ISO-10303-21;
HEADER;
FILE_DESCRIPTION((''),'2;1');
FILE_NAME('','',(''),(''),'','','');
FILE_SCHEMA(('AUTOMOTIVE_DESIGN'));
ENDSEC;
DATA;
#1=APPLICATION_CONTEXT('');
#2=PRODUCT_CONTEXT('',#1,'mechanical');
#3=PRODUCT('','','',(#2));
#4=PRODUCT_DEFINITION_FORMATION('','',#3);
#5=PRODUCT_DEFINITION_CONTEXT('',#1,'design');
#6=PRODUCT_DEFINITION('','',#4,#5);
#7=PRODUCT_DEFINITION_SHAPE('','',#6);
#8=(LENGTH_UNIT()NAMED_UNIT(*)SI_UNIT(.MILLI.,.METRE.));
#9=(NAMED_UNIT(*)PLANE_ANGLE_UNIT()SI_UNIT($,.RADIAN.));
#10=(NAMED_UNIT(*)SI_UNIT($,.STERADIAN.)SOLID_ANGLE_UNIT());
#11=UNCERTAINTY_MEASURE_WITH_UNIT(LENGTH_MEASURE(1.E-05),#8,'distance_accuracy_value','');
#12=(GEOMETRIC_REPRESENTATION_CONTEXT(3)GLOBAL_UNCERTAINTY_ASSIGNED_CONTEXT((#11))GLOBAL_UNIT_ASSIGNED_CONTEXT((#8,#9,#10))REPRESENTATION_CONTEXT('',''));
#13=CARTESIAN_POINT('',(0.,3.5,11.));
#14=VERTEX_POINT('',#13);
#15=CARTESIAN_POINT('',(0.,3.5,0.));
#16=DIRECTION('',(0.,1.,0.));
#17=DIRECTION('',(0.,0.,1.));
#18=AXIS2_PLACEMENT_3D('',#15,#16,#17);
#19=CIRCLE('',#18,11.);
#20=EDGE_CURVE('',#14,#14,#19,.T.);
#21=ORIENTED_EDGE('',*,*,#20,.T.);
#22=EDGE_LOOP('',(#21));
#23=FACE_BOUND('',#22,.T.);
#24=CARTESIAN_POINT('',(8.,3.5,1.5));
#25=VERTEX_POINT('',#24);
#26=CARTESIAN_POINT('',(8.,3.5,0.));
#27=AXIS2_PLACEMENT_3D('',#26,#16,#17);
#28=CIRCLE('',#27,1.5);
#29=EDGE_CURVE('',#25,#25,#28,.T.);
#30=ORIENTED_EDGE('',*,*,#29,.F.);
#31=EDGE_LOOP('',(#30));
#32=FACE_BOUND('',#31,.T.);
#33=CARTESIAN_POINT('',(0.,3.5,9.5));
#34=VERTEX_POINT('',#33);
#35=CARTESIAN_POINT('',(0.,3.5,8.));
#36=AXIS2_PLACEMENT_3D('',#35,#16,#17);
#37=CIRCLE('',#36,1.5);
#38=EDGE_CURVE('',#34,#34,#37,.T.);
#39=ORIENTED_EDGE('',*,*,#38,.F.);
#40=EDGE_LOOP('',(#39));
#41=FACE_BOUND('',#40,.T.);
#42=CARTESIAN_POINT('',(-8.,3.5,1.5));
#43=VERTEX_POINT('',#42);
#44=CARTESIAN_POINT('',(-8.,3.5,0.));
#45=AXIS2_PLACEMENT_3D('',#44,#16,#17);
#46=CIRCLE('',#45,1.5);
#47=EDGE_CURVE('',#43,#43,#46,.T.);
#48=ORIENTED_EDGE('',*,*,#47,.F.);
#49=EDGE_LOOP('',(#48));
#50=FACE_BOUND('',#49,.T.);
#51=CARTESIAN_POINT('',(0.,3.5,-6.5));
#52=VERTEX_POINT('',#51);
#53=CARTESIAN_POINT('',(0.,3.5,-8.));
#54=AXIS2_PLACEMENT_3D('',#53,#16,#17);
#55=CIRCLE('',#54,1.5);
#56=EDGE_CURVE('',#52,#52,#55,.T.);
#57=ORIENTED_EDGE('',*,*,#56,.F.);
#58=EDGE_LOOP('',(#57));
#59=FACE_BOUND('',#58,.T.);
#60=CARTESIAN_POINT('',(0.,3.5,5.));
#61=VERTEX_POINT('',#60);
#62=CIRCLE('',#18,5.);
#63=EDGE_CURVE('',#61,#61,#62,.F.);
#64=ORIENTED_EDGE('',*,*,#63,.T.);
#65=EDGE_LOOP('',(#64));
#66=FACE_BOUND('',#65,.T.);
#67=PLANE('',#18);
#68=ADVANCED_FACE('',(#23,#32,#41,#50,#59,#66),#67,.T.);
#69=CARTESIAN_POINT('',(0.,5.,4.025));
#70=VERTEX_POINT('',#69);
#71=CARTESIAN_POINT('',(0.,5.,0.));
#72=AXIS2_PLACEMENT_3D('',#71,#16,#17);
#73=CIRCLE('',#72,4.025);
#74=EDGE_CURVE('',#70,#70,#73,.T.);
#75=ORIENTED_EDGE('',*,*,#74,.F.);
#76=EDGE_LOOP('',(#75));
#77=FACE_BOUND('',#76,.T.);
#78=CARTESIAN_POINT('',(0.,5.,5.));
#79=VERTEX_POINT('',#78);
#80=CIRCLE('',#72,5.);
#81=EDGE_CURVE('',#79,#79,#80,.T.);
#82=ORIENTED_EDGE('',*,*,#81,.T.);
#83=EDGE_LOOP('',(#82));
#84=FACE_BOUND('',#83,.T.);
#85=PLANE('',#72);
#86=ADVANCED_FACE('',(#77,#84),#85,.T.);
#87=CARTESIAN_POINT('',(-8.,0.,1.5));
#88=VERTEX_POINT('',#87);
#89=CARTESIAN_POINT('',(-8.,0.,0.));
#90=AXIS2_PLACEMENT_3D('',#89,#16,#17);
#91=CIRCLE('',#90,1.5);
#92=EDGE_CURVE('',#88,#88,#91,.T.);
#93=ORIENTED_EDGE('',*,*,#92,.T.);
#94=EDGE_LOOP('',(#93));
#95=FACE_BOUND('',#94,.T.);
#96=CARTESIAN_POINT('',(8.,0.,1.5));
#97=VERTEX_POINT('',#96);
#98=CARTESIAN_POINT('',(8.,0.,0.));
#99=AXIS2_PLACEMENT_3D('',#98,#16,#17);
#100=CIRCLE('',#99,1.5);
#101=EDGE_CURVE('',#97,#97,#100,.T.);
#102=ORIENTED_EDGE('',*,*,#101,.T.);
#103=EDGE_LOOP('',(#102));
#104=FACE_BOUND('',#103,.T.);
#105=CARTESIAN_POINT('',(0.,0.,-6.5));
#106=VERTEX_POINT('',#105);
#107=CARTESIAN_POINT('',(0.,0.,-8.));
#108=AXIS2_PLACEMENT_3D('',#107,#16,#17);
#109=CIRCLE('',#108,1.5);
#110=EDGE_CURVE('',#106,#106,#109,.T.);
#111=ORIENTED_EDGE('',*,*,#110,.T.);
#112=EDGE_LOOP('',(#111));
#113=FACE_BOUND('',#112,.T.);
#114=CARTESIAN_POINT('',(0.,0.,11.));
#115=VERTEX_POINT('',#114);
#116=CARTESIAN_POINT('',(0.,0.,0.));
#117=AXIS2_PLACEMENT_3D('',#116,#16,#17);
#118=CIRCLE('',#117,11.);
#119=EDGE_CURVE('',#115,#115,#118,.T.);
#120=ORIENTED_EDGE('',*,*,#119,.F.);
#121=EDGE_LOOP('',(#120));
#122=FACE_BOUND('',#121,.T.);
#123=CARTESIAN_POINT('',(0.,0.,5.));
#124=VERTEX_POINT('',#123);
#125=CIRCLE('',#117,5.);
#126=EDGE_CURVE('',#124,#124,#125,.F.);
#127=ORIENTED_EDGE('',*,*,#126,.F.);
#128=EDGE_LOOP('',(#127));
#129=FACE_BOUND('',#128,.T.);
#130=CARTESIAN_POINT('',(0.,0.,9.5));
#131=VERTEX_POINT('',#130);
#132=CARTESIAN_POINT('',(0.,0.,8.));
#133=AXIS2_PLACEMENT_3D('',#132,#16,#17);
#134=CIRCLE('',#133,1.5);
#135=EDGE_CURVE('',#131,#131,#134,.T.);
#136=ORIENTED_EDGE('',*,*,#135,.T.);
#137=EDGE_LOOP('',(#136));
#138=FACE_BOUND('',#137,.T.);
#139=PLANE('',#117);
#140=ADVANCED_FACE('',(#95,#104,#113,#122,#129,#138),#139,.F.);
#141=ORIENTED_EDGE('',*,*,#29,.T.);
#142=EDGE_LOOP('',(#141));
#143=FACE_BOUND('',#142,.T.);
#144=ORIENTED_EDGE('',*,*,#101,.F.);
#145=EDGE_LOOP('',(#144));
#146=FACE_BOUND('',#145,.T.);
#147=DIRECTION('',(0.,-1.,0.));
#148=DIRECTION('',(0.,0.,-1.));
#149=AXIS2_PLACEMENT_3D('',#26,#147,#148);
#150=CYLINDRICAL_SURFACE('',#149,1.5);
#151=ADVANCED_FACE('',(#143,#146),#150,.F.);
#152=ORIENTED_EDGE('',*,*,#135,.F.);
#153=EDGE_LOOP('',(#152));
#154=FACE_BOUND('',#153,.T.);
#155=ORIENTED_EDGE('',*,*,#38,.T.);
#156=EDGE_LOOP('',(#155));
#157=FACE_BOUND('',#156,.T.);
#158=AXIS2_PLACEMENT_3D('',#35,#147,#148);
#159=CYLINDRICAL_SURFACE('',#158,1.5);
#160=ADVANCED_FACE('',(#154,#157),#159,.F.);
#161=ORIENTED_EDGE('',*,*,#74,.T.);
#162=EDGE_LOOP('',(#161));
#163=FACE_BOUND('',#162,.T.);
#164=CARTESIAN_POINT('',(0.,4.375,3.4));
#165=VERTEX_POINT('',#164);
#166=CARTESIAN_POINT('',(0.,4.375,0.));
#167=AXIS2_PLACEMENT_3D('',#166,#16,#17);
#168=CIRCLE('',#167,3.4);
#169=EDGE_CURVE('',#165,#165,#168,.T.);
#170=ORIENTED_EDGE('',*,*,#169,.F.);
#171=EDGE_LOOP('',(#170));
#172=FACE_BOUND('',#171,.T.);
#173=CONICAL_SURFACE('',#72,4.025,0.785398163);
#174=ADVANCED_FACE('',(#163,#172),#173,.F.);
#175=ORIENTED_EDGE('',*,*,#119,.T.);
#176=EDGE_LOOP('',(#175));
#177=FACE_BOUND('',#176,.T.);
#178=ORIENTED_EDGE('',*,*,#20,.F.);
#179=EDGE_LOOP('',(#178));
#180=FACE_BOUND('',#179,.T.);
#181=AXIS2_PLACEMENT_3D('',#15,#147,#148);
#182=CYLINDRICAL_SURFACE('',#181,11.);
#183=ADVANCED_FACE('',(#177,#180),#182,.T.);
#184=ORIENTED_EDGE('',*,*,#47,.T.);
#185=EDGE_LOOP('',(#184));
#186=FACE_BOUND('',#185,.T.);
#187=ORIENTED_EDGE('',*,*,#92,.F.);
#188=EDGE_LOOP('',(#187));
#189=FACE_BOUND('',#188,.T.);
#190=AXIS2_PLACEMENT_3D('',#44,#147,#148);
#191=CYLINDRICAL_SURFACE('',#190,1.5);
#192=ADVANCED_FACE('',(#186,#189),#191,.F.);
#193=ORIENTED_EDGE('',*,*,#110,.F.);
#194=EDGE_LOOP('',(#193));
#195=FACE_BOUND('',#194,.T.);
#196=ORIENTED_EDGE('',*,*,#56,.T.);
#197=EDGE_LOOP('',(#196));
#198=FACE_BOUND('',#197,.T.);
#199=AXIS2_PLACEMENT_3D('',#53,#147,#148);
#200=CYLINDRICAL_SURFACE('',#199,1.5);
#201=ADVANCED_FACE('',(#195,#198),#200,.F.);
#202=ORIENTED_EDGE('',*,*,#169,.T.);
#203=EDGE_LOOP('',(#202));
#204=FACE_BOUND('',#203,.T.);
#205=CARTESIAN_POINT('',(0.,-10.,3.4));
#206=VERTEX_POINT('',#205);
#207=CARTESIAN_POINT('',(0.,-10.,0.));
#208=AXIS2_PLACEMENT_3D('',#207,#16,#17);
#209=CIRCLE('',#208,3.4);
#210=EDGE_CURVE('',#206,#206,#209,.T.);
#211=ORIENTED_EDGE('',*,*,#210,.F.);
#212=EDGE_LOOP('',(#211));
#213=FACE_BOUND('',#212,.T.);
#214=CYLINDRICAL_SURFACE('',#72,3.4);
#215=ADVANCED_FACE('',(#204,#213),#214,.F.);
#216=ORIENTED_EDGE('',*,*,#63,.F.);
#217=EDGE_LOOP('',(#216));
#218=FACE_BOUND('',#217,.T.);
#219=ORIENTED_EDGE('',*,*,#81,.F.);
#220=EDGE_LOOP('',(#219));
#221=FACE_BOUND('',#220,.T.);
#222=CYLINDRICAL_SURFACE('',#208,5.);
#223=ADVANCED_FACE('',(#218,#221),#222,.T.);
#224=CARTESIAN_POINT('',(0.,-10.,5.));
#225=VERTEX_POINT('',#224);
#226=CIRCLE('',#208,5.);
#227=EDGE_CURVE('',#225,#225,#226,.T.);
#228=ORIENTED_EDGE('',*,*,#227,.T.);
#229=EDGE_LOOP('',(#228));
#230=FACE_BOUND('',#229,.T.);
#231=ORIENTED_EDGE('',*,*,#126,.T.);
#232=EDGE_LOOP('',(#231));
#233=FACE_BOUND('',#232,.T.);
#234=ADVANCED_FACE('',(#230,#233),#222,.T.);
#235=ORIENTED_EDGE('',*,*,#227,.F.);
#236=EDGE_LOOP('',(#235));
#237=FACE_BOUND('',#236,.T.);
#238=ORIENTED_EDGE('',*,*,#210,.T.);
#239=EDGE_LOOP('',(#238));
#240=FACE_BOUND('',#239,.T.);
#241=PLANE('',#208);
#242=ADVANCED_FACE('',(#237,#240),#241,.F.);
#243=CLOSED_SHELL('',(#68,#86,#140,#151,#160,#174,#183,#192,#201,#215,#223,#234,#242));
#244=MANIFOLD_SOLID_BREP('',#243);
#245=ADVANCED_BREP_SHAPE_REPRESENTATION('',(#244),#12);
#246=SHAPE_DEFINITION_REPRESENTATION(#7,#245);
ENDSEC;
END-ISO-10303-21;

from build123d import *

# Parameters (mm, degrees)
EXTRUDE_2_DEPTH              = 5
EXTRUDE_2_DEPTH_BACK         = 10
SKETCH_1_R                   = 5
SKETCH_2_R                   = 11
SKETCH_2_R_2                 = 1.5
EXTRUDE_3_DEPTH              = 3.5
HOLE_WIZARD_M8_1_D           = 6.8
HOLE_WIZARD_M8_1_DEPTH       = 22.25
HOLE_WIZARD_M8_1_CSINK_D     = 8.05
HOLE_WIZARD_M8_1_CSINK_ANGLE = 90
HOLE_WIZARD_M8_1_TIP         = 2.042926105


with BuildPart() as part:
    # 草图1 → 凸台-拉伸2 (new, two sides: drawn at the far end of the back side and taken through both)
    with BuildSketch(Plane(origin=(0, 0, 0), x_dir=(1, 0, 0), z_dir=(0, 1, 0)).offset(-EXTRUDE_2_DEPTH_BACK)):
        with Locations(Location((0, 0, 0), (0, 0, 270))):
            Circle(SKETCH_1_R)
    extrude(amount=EXTRUDE_2_DEPTH + EXTRUDE_2_DEPTH_BACK)

    # 草图2 → 凸台-拉伸3 (add)
    with BuildSketch(Plane(origin=(0, 0, 0), x_dir=(1, 0, 0), z_dir=(0, 1, 0))):
        with Locations(Location((0, 0, 0), (0, 0, 270))):
            Circle(SKETCH_2_R)
        with Locations(Location((8, 0, 0), (0, 0, 270))):
            Circle(SKETCH_2_R_2, mode=Mode.SUBTRACT)
        with Locations(Location((0, 8, 0), (0, 0, 270))):
            Circle(SKETCH_2_R_2, mode=Mode.SUBTRACT)
        with Locations(Location((-8, 0, 0), (0, 0, 270))):
            Circle(SKETCH_2_R_2, mode=Mode.SUBTRACT)
        with Locations(Location((0, -8, 0), (0, 0, 270))):
            Circle(SKETCH_2_R_2, mode=Mode.SUBTRACT)
    extrude(amount=EXTRUDE_3_DEPTH)

    # M8 螺纹孔1
    with Locations(Plane(origin=(0, 5, 0), x_dir=(1, 0, 0), z_dir=(0, 1, 0))):
        with Locations((0, 0)):
            CounterSinkHole(HOLE_WIZARD_M8_1_D / 2, HOLE_WIZARD_M8_1_CSINK_D / 2, depth=HOLE_WIZARD_M8_1_DEPTH, counter_sink_angle=HOLE_WIZARD_M8_1_CSINK_ANGLE)
            with Locations((0, 0, -(HOLE_WIZARD_M8_1_DEPTH + HOLE_WIZARD_M8_1_TIP / 2))):  # 118° drill point
                Cone(0, HOLE_WIZARD_M8_1_D / 2, HOLE_WIZARD_M8_1_TIP, mode=Mode.SUBTRACT)


solid = part.part
